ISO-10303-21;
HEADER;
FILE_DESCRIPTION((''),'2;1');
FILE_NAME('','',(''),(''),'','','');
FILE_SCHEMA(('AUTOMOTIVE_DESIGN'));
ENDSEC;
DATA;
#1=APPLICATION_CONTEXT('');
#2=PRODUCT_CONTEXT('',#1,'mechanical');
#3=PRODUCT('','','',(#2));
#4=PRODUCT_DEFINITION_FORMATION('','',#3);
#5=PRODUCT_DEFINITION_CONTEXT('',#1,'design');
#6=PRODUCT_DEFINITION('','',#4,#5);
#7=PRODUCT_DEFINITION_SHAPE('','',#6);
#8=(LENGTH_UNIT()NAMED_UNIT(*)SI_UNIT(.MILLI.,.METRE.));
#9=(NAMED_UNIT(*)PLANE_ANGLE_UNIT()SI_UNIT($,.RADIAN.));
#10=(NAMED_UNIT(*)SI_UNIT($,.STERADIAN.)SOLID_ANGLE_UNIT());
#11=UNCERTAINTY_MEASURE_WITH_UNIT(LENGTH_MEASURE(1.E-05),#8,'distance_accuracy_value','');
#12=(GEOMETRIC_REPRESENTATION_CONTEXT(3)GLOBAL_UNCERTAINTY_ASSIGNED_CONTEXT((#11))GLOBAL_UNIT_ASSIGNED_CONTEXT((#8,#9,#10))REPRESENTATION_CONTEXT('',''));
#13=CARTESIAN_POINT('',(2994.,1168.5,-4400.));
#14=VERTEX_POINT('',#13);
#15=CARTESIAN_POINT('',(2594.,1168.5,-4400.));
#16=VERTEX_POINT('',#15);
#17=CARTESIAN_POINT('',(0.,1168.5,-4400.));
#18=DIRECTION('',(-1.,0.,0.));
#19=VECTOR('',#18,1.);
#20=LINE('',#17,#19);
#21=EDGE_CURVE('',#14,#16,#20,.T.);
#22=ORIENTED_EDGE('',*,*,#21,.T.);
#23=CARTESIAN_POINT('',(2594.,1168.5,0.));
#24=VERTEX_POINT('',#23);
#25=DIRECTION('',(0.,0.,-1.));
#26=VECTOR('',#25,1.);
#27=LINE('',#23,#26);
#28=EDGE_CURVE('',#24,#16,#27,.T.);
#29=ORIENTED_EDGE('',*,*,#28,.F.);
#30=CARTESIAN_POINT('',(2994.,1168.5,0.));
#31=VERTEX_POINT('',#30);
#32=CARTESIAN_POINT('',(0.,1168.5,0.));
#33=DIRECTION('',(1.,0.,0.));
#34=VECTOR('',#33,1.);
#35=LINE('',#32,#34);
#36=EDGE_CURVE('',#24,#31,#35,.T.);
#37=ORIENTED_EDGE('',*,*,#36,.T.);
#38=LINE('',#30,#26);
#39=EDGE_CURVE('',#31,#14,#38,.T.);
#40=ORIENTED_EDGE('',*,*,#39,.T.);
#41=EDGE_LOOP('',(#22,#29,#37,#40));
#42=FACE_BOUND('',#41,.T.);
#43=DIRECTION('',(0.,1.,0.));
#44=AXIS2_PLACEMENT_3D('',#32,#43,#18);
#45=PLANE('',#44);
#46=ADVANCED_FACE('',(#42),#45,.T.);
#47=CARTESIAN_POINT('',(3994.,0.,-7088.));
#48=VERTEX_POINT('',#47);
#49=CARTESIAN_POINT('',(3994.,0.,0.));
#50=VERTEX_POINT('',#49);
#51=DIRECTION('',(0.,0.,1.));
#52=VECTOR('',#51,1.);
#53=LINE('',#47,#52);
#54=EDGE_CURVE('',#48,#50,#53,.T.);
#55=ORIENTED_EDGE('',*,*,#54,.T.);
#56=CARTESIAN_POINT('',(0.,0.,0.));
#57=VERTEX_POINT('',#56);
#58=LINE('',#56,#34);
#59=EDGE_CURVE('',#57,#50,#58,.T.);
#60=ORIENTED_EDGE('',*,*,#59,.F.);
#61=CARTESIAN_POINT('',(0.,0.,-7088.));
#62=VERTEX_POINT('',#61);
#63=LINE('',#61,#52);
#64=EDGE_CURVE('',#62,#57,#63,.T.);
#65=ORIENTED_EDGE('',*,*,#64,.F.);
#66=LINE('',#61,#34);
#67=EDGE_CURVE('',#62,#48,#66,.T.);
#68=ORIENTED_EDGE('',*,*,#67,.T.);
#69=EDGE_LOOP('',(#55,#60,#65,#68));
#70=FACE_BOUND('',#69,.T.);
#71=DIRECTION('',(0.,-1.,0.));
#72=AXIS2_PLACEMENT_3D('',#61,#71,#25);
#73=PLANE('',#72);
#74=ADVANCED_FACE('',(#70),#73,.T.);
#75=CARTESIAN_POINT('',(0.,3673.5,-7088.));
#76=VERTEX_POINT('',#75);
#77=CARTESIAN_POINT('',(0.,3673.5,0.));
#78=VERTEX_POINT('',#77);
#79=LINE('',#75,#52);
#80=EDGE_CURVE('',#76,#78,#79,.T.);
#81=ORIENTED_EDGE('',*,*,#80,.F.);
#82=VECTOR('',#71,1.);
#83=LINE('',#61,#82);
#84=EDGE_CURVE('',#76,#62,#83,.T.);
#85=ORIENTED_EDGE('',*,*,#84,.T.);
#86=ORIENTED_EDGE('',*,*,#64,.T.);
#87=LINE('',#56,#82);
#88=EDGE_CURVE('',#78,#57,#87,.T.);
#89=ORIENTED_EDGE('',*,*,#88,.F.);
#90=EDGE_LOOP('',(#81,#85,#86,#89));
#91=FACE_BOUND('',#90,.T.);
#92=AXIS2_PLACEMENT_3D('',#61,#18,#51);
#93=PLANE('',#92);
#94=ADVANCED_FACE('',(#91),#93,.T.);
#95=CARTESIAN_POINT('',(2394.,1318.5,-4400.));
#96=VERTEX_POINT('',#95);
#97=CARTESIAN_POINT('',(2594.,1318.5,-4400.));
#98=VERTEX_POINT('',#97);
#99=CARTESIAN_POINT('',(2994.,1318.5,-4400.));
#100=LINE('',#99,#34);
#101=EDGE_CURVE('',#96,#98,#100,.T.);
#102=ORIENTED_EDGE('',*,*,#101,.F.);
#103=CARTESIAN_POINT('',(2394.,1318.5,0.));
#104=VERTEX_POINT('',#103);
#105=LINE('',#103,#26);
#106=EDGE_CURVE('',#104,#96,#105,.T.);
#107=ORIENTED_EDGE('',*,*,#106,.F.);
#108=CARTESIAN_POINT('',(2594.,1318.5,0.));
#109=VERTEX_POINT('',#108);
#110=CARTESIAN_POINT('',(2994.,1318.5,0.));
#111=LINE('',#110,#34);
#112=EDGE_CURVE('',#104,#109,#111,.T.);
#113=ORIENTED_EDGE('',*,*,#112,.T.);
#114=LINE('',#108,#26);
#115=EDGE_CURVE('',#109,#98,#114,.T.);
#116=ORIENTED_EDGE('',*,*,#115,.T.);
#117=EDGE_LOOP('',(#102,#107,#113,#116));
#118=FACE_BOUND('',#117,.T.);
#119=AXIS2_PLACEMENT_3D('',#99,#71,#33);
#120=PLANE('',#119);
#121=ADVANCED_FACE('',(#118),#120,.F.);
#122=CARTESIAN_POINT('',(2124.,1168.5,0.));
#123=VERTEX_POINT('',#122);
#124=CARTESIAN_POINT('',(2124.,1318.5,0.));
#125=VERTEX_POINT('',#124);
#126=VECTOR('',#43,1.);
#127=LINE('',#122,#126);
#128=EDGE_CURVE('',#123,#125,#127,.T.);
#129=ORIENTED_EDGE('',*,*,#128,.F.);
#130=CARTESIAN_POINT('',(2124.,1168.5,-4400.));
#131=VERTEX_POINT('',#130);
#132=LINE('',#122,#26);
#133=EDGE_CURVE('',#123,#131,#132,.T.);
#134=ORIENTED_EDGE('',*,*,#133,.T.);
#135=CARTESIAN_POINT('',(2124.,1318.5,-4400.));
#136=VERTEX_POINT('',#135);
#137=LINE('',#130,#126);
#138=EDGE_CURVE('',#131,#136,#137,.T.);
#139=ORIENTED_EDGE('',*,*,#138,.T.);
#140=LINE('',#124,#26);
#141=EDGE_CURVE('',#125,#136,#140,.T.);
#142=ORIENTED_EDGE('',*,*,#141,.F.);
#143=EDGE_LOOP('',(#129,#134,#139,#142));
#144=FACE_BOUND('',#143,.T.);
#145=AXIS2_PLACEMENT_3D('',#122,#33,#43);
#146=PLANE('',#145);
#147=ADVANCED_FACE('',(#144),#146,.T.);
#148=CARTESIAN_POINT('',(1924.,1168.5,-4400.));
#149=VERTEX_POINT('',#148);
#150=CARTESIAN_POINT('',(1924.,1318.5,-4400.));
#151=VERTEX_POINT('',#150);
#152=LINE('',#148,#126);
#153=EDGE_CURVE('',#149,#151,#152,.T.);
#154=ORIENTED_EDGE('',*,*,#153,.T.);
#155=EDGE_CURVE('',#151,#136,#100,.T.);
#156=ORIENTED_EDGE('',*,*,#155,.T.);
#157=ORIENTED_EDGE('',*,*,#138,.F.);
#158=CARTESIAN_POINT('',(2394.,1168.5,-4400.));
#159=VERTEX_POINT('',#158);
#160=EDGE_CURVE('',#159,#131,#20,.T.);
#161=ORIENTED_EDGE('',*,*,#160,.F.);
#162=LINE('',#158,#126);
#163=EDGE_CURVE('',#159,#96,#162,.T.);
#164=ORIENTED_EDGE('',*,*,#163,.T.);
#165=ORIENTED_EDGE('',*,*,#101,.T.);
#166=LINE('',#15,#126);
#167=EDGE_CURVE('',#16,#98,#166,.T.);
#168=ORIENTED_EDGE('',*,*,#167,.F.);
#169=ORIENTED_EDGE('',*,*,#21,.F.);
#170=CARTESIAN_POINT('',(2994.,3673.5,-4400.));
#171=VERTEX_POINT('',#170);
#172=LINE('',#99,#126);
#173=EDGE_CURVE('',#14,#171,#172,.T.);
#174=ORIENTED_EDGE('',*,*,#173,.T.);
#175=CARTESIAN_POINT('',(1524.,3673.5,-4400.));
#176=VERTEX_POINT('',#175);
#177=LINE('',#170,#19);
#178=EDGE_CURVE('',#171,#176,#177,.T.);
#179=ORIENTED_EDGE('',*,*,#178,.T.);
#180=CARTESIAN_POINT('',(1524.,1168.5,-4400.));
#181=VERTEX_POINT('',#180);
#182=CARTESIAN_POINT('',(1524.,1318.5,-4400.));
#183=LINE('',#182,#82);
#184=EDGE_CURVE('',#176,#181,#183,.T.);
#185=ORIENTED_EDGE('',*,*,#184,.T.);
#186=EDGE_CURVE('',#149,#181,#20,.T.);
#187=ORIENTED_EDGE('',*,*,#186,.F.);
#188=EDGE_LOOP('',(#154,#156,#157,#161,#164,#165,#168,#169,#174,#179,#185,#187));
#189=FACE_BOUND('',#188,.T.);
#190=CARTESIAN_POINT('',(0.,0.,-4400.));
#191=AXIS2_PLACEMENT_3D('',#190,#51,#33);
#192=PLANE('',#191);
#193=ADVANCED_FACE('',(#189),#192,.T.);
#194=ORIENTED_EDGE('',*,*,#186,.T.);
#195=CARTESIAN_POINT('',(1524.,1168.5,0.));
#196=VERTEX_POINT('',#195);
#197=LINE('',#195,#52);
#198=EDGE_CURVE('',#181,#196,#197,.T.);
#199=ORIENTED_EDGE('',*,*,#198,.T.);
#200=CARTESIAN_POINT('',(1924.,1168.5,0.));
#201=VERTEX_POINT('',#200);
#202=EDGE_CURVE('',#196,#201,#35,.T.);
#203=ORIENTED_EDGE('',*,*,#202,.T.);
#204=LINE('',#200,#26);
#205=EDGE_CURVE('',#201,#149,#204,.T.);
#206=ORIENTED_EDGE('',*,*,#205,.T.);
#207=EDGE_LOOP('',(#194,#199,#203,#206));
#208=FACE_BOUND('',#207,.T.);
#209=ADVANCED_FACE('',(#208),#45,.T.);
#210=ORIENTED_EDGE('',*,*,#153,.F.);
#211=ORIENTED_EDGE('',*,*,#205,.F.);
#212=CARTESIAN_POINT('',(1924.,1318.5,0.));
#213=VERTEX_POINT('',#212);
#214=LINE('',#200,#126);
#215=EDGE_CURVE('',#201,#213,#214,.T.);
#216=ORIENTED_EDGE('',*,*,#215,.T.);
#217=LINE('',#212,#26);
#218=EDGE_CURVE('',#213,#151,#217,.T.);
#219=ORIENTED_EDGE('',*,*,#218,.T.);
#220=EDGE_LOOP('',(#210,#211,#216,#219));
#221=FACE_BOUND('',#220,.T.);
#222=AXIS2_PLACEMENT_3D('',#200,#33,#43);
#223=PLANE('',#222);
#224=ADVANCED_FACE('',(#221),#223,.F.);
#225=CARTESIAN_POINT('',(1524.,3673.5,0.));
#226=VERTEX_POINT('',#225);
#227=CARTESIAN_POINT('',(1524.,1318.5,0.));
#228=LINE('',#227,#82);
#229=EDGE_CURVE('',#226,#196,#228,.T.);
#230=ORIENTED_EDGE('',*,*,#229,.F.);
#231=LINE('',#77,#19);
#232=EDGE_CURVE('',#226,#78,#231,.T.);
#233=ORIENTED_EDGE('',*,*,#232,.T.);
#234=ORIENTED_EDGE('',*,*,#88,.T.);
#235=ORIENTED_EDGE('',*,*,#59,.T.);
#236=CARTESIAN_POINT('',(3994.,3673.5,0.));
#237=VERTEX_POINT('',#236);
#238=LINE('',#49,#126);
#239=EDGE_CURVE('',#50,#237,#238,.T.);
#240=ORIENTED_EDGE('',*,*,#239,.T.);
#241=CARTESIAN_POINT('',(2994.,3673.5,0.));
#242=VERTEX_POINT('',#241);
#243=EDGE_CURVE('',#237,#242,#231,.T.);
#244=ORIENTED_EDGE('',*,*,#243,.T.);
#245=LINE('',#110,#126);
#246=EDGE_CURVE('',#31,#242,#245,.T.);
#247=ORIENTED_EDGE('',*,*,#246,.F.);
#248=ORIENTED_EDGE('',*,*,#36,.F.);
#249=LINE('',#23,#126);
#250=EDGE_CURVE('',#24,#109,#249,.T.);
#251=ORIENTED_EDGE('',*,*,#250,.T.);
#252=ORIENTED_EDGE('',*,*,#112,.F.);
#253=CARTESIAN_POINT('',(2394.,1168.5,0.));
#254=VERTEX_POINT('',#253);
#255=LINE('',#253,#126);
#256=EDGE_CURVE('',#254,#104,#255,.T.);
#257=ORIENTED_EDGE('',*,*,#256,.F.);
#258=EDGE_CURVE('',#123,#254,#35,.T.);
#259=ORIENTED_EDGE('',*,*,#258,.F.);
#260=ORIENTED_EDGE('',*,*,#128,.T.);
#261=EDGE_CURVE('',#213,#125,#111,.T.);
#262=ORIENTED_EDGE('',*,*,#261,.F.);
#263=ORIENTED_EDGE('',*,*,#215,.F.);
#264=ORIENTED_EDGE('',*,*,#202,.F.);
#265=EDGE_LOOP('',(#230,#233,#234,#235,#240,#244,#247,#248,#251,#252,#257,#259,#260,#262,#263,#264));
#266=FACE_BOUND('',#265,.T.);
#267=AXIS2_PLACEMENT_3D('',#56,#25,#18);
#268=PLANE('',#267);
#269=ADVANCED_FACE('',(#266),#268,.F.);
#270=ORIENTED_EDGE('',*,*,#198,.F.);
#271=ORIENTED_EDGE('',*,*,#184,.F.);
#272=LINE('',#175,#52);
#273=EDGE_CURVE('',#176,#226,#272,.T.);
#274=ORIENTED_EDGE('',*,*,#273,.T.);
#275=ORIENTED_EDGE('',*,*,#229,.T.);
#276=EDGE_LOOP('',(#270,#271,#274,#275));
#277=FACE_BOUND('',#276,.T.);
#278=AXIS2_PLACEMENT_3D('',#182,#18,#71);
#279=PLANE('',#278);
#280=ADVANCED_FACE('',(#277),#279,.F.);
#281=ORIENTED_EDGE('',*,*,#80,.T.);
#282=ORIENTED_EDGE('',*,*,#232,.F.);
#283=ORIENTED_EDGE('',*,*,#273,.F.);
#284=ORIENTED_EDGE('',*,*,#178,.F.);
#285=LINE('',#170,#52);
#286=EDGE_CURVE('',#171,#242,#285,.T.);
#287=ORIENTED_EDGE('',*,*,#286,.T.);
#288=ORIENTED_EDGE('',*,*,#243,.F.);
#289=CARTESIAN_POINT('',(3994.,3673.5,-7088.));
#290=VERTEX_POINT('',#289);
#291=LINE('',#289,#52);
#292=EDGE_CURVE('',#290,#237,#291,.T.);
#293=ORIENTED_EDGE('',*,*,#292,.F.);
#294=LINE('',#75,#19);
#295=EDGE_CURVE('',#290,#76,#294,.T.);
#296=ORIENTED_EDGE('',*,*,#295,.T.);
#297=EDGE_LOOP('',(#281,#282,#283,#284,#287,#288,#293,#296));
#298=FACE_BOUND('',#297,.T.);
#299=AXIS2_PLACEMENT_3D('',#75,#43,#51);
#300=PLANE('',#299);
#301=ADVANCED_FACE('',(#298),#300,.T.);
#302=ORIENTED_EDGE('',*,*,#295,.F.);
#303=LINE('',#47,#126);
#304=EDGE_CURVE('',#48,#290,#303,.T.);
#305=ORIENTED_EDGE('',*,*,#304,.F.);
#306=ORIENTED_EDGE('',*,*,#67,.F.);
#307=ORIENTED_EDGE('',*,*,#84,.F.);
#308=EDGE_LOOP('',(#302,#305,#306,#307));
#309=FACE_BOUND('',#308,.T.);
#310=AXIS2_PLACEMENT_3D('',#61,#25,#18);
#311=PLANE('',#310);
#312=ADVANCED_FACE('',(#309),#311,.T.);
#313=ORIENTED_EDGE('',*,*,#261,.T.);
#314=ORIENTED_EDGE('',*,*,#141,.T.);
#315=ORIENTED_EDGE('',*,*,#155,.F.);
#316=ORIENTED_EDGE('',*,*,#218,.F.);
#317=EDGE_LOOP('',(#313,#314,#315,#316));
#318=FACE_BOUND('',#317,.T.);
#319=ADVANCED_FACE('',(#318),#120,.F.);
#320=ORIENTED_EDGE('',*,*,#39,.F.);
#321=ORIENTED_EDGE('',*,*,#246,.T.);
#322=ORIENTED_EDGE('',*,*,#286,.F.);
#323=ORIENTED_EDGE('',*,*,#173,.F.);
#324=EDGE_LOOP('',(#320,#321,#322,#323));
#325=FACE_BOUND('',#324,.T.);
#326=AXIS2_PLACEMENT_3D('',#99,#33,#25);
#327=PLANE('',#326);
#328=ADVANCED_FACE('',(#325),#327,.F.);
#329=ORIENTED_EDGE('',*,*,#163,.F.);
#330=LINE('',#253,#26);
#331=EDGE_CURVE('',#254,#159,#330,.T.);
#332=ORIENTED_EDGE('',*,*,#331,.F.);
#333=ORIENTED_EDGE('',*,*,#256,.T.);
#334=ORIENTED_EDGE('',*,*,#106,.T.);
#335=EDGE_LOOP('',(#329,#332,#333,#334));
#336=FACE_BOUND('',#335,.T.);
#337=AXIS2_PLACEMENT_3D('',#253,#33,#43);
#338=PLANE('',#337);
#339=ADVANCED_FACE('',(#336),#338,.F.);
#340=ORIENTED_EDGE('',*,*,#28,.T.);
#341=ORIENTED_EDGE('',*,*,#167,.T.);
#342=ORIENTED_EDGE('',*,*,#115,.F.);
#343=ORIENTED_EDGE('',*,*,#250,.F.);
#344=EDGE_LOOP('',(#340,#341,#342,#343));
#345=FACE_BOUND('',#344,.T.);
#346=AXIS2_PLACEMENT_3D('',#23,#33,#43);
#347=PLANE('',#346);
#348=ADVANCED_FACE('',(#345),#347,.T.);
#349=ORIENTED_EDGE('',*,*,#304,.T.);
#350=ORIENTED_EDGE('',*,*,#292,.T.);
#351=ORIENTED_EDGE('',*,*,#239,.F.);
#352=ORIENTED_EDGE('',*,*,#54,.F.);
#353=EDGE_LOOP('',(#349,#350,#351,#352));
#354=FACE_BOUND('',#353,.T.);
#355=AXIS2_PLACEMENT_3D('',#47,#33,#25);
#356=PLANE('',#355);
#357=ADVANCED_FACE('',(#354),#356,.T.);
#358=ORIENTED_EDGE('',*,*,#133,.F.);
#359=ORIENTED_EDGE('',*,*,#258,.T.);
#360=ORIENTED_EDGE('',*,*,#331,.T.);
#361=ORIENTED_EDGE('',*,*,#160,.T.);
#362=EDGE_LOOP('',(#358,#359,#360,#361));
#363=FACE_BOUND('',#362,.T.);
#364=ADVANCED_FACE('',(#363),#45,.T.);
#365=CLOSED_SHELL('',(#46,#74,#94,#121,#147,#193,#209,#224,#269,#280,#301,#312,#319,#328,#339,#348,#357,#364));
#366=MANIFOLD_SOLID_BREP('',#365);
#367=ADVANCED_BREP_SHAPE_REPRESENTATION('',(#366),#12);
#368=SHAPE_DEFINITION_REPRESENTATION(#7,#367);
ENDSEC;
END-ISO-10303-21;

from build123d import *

# Parameters (mm, degrees)
SCHIZZO1_W                   = 3994
SCHIZZO1_H                   = 3673.5
ESTRUSIONE_ESTRUSIONE1_DEPTH = 7088
SCHIZZO2_W                   = 1470
SCHIZZO2_H                   = 2355
TAGLIO_ESTRUSIONE1_DEPTH     = 4400
SCHIZZO3_W                   = 400
SCHIZZO3_H                   = 4400
SCHIZZO3_W_2                 = 270
TAGLIO_ESTRUSIONE2_DEPTH     = 150


with BuildPart() as part:
    # Schizzo1 → Estrusione-Estrusione1 (new body)
    with BuildSketch(Plane.XY):
        with Locations((1997, 1836.75)):
            Rectangle(SCHIZZO1_W, SCHIZZO1_H)
    extrude(amount=-ESTRUSIONE_ESTRUSIONE1_DEPTH)

    # Schizzo2 → Taglio-Estrusione1 (cut)
    with BuildSketch(Plane.XY):
        with Locations((2259, 2496)):
            Rectangle(SCHIZZO2_W, SCHIZZO2_H)
    extrude(amount=-TAGLIO_ESTRUSIONE1_DEPTH, mode=Mode.SUBTRACT)

    # Schizzo3 → Taglio-Estrusione2 (cut)
    with BuildSketch(Plane(origin=(0, 1318.5, 0), x_dir=(1, 0, 0), z_dir=(0, 1, 0))):
        with Locations((1724, 2200)):
            Rectangle(SCHIZZO3_W, SCHIZZO3_H)
        with Locations((2259, 2200)):
            Rectangle(SCHIZZO3_W_2, SCHIZZO3_H)
        with Locations((2794, 2200)):
            Rectangle(SCHIZZO3_W, SCHIZZO3_H)
    extrude(amount=-TAGLIO_ESTRUSIONE2_DEPTH, mode=Mode.SUBTRACT)


solid = part.part
